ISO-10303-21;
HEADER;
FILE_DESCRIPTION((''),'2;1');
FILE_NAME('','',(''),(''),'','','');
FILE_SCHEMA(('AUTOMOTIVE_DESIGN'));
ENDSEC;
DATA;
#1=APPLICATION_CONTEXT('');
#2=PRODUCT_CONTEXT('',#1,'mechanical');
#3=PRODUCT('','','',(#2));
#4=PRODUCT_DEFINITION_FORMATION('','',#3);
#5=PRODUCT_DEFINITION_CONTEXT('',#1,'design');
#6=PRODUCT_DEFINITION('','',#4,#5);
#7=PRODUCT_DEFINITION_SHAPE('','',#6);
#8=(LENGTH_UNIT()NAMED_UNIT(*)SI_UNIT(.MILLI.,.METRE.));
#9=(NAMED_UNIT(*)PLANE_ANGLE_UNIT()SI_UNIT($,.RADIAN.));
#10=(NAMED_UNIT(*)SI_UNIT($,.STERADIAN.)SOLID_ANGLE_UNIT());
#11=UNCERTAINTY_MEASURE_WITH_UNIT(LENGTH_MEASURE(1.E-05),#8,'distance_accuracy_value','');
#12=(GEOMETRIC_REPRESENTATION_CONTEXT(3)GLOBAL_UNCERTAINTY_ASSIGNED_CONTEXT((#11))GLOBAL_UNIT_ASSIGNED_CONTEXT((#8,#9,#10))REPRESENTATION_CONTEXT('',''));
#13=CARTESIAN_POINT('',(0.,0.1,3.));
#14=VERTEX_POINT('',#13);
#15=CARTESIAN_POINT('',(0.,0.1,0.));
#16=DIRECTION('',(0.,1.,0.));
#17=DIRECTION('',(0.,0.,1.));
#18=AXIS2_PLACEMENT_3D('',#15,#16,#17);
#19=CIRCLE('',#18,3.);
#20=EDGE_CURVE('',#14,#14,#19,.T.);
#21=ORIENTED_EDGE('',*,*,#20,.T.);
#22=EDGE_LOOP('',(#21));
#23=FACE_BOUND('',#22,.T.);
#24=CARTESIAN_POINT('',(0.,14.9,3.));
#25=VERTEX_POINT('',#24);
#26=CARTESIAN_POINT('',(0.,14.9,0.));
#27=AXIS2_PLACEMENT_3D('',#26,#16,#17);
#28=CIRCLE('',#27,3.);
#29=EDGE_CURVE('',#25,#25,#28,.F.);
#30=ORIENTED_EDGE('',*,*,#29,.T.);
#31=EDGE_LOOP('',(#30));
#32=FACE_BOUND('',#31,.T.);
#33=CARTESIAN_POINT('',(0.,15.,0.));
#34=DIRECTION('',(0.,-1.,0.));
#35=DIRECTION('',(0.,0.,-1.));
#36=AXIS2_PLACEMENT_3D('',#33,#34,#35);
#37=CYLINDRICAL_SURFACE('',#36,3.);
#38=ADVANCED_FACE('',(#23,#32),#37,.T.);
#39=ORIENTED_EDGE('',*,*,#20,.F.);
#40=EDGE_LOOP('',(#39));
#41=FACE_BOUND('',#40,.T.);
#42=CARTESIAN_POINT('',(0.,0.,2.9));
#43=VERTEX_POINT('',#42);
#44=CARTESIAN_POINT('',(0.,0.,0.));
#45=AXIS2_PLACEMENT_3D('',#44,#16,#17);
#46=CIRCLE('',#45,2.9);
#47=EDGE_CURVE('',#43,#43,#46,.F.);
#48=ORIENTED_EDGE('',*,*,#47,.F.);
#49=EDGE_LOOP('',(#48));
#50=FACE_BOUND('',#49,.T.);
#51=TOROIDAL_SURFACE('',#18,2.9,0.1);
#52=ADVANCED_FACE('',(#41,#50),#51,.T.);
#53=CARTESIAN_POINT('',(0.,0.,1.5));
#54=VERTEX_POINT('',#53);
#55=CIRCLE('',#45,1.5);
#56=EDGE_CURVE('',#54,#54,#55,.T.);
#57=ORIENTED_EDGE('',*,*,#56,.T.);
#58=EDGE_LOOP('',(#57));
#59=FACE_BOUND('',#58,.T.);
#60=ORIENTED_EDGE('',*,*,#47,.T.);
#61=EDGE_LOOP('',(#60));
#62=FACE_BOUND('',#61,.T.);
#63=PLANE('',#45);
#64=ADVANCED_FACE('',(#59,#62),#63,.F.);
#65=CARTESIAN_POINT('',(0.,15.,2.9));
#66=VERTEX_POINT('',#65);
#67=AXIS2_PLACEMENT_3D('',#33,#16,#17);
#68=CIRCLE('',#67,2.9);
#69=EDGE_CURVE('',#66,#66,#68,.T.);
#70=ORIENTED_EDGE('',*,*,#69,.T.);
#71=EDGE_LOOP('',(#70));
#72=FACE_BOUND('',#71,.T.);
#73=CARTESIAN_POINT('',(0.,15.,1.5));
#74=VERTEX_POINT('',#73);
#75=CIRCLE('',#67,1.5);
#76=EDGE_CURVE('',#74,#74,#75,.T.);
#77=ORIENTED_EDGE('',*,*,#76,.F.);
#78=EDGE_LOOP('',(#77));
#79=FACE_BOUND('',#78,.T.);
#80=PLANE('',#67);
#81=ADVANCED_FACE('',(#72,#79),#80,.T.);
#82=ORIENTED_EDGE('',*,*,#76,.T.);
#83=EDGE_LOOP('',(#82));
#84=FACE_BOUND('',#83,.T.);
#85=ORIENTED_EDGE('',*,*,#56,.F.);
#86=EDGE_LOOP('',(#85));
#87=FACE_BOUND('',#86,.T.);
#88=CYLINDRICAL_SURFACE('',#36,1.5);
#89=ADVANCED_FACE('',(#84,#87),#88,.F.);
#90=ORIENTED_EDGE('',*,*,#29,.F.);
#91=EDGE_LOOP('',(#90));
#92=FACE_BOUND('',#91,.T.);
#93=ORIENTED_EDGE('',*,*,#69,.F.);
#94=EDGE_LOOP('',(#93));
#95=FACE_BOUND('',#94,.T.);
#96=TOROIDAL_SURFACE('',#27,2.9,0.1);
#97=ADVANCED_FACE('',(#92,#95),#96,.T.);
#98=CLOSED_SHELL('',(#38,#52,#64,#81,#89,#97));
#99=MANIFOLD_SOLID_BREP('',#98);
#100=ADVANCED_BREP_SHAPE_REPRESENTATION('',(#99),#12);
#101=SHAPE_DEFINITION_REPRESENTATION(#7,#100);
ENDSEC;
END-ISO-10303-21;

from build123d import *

# Parameters (mm, degrees)
SKETCH_1_R      = 3
SKETCH_1_R_2    = 1.5
EXTRUDE_1_DEPTH = 15
FILLET_1_R      = 0.1


with BuildPart() as part:
    # ｽｹｯﾁ1 → ﾎﾞｽ - 押し出し1 (new body)
    with BuildSketch(Plane(origin=(0, 0, 0), x_dir=(1, 0, 0), z_dir=(0, 1, 0))):
        with Locations(Location((0, 0, 0), (0, 0, 270))):
            Circle(SKETCH_1_R)
        with Locations(Location((0, 0, 0), (0, 0, 270))):
            Circle(SKETCH_1_R_2, mode=Mode.SUBTRACT)
    extrude(amount=EXTRUDE_1_DEPTH)

    # ﾌｨﾚｯﾄ1
    fillet_1_edges = [part.edges().sort_by_distance(p)[0] for p in [
        (0, 0, -3),
        (0, 15, -3),
    ]]
    fillet(fillet_1_edges, radius=FILLET_1_R)


solid = part.part
